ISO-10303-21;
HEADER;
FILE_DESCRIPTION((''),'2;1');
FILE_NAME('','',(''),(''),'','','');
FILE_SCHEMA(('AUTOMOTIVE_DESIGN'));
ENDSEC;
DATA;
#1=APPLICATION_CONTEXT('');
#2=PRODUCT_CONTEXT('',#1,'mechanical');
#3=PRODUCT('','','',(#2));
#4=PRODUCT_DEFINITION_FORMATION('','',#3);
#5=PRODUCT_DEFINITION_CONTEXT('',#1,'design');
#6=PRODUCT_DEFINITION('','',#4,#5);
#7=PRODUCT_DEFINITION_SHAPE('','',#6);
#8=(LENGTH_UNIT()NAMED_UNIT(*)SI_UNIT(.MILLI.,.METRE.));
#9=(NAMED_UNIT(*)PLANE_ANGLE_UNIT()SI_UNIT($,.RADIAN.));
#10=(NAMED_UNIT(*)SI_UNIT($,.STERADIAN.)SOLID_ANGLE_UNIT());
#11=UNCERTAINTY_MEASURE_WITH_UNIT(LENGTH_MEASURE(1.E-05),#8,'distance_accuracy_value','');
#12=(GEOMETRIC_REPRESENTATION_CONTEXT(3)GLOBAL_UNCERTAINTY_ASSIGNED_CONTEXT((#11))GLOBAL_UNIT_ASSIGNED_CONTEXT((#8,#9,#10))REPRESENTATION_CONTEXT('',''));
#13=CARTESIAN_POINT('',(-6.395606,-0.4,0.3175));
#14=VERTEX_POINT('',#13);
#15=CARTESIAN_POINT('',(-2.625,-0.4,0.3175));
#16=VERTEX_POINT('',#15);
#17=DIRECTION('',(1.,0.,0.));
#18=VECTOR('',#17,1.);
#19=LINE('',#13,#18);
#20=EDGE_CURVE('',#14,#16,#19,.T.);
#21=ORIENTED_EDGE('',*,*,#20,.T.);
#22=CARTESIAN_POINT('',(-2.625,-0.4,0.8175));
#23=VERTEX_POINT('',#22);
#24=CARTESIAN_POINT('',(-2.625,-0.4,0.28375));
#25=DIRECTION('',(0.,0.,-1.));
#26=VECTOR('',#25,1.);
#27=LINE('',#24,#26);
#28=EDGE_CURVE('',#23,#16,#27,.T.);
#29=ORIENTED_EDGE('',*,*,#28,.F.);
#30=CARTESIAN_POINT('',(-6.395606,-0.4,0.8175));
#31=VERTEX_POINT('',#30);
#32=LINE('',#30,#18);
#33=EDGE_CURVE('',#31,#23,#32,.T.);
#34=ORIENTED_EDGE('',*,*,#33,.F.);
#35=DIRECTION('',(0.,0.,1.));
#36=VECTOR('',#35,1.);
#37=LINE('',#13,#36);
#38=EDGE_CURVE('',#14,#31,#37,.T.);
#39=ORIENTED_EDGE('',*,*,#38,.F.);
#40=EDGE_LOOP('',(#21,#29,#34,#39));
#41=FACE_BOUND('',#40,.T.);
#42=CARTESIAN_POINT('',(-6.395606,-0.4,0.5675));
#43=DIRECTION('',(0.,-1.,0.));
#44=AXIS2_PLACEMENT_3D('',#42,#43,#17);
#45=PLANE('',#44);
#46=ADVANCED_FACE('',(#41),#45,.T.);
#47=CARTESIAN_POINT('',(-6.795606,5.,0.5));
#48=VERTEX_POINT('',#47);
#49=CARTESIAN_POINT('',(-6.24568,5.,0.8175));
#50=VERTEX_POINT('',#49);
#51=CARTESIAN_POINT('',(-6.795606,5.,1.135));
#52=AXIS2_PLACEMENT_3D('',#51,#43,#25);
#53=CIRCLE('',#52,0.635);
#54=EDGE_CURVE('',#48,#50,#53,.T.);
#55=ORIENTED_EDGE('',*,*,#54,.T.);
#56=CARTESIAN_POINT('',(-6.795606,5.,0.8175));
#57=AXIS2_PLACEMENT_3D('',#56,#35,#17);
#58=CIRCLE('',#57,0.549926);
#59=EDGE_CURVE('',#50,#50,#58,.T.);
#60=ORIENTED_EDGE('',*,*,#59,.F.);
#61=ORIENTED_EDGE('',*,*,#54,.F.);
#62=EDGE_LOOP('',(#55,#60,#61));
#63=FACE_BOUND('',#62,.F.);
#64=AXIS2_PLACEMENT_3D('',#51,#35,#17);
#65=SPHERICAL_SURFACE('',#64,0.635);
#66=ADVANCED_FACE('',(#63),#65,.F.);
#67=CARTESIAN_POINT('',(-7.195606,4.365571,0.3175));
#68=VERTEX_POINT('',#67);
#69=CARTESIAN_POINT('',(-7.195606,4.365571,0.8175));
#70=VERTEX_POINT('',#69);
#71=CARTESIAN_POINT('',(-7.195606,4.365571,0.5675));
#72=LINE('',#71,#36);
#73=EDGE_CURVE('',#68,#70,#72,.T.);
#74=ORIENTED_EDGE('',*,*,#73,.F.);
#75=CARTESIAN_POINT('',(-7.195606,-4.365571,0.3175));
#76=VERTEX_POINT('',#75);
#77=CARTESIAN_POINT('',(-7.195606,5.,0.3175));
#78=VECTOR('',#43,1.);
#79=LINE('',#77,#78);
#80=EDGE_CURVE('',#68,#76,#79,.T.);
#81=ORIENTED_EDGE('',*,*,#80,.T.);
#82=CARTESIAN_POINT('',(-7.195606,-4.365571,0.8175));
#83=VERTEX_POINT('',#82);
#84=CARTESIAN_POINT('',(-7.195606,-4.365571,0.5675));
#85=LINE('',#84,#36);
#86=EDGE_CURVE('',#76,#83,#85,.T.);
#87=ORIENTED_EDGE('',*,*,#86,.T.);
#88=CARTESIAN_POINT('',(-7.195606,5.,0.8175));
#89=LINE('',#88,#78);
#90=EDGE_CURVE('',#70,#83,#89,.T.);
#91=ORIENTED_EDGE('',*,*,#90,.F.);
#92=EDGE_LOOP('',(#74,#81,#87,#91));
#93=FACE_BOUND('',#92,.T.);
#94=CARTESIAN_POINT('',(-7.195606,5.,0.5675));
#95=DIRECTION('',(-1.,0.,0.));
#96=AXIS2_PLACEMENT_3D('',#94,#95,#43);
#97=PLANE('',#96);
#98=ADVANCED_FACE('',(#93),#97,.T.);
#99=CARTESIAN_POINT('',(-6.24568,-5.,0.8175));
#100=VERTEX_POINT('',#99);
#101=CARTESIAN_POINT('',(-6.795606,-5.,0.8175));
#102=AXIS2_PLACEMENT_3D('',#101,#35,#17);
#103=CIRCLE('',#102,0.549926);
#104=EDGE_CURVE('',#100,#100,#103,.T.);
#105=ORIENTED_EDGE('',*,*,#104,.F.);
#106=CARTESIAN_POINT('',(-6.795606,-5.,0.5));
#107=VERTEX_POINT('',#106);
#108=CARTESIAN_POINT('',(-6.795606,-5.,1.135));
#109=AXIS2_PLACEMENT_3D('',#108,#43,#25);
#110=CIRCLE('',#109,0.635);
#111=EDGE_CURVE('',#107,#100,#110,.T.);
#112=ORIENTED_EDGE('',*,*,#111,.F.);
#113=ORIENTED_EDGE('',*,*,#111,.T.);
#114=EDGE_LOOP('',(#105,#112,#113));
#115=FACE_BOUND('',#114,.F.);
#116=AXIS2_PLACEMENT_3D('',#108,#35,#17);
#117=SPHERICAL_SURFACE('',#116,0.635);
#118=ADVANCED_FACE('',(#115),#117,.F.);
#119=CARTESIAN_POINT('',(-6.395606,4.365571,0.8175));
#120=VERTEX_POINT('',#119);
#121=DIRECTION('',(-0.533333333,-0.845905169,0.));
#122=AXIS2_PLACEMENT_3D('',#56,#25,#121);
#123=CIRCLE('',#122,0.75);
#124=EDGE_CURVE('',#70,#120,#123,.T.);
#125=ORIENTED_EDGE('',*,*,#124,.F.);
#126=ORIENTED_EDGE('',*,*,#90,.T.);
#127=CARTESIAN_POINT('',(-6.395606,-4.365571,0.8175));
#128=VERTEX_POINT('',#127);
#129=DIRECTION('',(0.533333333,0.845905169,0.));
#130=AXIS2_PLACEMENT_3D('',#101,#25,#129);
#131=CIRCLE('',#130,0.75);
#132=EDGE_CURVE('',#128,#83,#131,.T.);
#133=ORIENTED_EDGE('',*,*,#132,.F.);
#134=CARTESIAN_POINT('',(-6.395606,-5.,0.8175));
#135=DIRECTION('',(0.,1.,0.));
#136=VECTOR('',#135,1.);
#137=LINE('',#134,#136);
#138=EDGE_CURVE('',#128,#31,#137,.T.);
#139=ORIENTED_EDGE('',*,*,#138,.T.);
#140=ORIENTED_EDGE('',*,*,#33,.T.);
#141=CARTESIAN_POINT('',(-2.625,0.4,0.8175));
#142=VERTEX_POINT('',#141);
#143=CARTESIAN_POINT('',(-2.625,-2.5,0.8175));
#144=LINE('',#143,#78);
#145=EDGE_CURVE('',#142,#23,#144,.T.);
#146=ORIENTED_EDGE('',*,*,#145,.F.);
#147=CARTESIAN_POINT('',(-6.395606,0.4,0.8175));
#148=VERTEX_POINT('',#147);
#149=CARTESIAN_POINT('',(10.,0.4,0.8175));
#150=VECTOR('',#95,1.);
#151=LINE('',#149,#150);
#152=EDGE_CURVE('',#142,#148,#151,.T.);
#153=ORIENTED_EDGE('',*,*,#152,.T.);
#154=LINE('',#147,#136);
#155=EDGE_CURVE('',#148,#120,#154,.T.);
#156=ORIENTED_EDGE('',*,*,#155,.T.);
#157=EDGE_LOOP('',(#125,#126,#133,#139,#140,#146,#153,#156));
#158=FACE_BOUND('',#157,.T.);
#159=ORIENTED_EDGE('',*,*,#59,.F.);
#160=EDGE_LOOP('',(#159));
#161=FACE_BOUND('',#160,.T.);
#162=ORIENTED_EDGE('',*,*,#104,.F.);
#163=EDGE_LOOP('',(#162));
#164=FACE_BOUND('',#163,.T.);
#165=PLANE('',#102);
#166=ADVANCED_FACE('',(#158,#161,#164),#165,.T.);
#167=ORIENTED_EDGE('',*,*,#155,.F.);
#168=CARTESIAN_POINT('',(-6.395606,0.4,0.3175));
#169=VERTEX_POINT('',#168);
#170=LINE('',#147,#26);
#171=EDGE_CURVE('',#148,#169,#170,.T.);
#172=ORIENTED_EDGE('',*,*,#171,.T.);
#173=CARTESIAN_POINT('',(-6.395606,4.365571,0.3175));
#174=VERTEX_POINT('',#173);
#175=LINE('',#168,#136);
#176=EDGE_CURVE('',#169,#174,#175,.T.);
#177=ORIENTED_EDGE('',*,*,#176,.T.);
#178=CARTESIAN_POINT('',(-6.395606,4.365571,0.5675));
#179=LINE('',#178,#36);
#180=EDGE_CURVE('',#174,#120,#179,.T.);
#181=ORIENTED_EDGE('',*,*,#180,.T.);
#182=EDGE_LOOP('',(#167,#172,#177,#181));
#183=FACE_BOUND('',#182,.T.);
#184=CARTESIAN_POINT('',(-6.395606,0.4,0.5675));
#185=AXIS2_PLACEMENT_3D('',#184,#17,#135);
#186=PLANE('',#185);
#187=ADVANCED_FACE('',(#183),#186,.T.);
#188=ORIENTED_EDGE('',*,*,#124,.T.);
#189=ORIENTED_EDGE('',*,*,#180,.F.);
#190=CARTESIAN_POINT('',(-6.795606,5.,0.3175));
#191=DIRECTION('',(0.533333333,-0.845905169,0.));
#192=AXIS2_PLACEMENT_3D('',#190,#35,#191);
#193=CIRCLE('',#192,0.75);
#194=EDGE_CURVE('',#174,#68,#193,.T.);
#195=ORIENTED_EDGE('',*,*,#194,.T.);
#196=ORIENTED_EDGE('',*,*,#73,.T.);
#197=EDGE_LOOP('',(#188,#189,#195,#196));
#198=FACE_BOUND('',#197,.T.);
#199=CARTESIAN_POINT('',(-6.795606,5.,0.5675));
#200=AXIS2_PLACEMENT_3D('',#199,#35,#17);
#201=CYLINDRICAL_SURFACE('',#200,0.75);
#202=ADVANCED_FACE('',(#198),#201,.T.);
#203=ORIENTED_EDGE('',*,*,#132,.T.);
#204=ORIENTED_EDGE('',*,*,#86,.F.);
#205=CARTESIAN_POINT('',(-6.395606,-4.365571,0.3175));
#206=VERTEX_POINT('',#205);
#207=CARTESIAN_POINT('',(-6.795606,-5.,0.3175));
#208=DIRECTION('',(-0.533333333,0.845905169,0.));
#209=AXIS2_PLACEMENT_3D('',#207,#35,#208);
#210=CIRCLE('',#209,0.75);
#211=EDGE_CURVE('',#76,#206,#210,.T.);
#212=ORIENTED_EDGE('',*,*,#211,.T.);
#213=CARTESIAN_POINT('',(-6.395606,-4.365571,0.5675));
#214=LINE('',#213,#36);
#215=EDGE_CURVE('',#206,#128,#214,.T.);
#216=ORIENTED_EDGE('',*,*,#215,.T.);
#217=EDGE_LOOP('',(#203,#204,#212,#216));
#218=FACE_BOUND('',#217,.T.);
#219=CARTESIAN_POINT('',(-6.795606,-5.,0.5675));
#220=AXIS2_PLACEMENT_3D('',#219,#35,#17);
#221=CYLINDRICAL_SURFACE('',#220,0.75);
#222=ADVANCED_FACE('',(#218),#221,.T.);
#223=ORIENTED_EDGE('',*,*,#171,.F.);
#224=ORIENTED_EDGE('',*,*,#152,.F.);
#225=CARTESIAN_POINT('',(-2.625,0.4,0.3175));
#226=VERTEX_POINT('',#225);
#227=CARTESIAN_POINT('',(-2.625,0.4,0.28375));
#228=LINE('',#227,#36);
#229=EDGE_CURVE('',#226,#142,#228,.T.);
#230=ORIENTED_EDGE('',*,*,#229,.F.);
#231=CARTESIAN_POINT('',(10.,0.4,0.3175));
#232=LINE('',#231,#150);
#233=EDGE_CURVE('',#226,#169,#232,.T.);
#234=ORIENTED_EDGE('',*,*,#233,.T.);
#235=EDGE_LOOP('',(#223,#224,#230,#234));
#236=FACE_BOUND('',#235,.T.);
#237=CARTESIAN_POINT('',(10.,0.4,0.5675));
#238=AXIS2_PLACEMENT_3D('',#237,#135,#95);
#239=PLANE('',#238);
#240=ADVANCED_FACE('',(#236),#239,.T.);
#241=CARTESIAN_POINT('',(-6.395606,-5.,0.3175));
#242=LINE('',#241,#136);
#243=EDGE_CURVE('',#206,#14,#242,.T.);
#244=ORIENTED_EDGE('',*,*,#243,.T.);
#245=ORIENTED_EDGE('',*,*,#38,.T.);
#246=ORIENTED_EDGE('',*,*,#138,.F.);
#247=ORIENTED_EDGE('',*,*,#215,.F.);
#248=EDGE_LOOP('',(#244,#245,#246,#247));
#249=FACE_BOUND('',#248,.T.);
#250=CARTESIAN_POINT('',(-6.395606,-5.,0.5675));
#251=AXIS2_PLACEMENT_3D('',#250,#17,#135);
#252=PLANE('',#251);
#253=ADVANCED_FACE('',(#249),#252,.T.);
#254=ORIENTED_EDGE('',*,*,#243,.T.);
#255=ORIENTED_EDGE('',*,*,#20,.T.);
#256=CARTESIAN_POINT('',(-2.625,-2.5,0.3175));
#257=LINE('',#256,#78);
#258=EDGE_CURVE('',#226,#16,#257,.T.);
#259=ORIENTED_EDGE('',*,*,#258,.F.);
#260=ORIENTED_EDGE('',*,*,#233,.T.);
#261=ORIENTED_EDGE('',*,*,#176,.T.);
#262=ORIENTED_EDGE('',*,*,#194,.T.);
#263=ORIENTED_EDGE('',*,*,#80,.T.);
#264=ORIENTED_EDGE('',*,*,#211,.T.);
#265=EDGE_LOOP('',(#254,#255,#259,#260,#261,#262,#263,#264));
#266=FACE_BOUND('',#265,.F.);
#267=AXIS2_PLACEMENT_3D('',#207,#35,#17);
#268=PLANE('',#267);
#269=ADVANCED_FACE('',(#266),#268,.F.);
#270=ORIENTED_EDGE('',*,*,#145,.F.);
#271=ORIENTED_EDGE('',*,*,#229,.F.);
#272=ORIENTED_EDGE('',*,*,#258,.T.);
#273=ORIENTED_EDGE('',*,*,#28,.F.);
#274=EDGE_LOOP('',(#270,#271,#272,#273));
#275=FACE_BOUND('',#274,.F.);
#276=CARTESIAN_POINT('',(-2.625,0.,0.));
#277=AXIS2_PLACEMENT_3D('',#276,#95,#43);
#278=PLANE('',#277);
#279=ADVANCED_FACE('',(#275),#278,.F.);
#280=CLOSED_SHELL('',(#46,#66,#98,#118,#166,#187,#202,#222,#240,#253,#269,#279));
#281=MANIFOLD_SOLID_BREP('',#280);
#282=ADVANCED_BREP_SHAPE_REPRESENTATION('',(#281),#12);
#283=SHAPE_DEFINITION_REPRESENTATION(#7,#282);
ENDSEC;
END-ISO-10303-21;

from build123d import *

# Parameters (mm, degrees)
PAD_DEPTH    = 0.25
SKETCH001_R  = 0.75
PAD001_DEPTH = 0.25
SKETCH002_R  = 0.75
PAD002_DEPTH = 0.25
SKETCH003_R  = 0.75
PAD003_DEPTH = 0.25
SKETCH004_R  = 0.75
PAD004_DEPTH = 0.4
SKETCH005_W  = 10
SKETCH005_H  = 10
POCKET_DEPTH = 12.626


with BuildPart() as part:
    # Sketch (on DatumPlane) → Pad (new body, symmetric)
    with BuildSketch(Plane.XY.offset(0.5675)):
        Polygon((-7.195606, 5), (-7.195606, 0), (-7.195606, -5), (-6.795606, -5), (-6.395606, -5), (-6.395606, -0.4), (10, -0.4), (10, 0.4), (-6.395606, 0.4), (-6.395606, 5), (-6.795606, 5), align=None)
    extrude(amount=PAD_DEPTH, both=True)

    # Sketch001 (on DatumPlane) → Pad001 (join, symmetric)
    with BuildSketch(Plane.XY.offset(0.5675)):
        Circle(SKETCH001_R)
    extrude(amount=PAD001_DEPTH, both=True)

    # Sketch002 (on DatumPlane) → Pad002 (join, symmetric)
    with BuildSketch(Plane.XY.offset(0.5675)):
        with Locations((-6.795606, 5)):
            Circle(SKETCH002_R)
    extrude(amount=PAD002_DEPTH, both=True)

    # Sketch003 (on DatumPlane) → Pad003 (join, symmetric)
    with BuildSketch(Plane.XY.offset(0.5675)):
        with Locations((-6.795606, -5)):
            Circle(SKETCH003_R)
    extrude(amount=PAD003_DEPTH, both=True)

    # Sphere → Sphere (revolve, cut)
    with BuildSketch(Plane.XZ):
        with BuildLine():
            ThreePointArc((0, -0.635), (0.635, 0), (0, 0.635))
            Line((0, 0.635), (0, -0.635))
        make_face()
    revolve(axis=Axis((0, 0, 0), (0, 0, 1)), mode=Mode.SUBTRACT)

    # Sphere001 → Sphere001 (revolve, cut)
    with BuildSketch(Plane(origin=(-6.795606, 5, 1.135), x_dir=(1, 0, 0), z_dir=(0, -1, 0))):
        with BuildLine():
            ThreePointArc((0, -0.635), (0.635, 0), (0, 0.635))
            Line((0, 0.635), (0, -0.635))
        make_face()
    revolve(axis=Axis((-6.795606, 5, 1.135), (0, 0, 1)), mode=Mode.SUBTRACT)

    # Sphere002 → Sphere002 (revolve, cut)
    with BuildSketch(Plane(origin=(-6.795606, -5, 1.135), x_dir=(1, 0, 0), z_dir=(0, -1, 0))):
        with BuildLine():
            ThreePointArc((0, -0.635), (0.635, 0), (0, 0.635))
            Line((0, 0.635), (0, -0.635))
        make_face()
    revolve(axis=Axis((-6.795606, -5, 1.135), (0, 0, 1)), mode=Mode.SUBTRACT)

    # Sketch004 (on DatumPlane) → Pad004 (join, symmetric)
    with BuildSketch(Plane(origin=(0, 0, 0.5675), x_dir=(1, 0, 0), z_dir=(0, -1, 0))):
        with Locations((6.8, 0)):
            Circle(SKETCH004_R)
    extrude(amount=PAD004_DEPTH, both=True)

    # Sphere003 → Sphere003 (revolve, cut)
    with BuildSketch(Plane(origin=(6.8, 0.7175, 0.5675), x_dir=(1, 0, 0), z_dir=(0, -1, 0))):
        with BuildLine():
            ThreePointArc((0, -0.635), (0.635, 0), (0, 0.635))
            Line((0, 0.635), (0, -0.635))
        make_face()
    revolve(axis=Axis((6.8, 0.7175, 0.5675), (0, 0, 1)), mode=Mode.SUBTRACT)

    # Sketch005 (on DatumPlane) → Pocket (cut, through all)
    with BuildSketch(Plane(origin=(-2.625, 0, 0), x_dir=(0, -1, 0), z_dir=(-1, 0, 0))):
        Rectangle(SKETCH005_W, SKETCH005_H)
    extrude(amount=-POCKET_DEPTH, mode=Mode.SUBTRACT)


solid = part.part
